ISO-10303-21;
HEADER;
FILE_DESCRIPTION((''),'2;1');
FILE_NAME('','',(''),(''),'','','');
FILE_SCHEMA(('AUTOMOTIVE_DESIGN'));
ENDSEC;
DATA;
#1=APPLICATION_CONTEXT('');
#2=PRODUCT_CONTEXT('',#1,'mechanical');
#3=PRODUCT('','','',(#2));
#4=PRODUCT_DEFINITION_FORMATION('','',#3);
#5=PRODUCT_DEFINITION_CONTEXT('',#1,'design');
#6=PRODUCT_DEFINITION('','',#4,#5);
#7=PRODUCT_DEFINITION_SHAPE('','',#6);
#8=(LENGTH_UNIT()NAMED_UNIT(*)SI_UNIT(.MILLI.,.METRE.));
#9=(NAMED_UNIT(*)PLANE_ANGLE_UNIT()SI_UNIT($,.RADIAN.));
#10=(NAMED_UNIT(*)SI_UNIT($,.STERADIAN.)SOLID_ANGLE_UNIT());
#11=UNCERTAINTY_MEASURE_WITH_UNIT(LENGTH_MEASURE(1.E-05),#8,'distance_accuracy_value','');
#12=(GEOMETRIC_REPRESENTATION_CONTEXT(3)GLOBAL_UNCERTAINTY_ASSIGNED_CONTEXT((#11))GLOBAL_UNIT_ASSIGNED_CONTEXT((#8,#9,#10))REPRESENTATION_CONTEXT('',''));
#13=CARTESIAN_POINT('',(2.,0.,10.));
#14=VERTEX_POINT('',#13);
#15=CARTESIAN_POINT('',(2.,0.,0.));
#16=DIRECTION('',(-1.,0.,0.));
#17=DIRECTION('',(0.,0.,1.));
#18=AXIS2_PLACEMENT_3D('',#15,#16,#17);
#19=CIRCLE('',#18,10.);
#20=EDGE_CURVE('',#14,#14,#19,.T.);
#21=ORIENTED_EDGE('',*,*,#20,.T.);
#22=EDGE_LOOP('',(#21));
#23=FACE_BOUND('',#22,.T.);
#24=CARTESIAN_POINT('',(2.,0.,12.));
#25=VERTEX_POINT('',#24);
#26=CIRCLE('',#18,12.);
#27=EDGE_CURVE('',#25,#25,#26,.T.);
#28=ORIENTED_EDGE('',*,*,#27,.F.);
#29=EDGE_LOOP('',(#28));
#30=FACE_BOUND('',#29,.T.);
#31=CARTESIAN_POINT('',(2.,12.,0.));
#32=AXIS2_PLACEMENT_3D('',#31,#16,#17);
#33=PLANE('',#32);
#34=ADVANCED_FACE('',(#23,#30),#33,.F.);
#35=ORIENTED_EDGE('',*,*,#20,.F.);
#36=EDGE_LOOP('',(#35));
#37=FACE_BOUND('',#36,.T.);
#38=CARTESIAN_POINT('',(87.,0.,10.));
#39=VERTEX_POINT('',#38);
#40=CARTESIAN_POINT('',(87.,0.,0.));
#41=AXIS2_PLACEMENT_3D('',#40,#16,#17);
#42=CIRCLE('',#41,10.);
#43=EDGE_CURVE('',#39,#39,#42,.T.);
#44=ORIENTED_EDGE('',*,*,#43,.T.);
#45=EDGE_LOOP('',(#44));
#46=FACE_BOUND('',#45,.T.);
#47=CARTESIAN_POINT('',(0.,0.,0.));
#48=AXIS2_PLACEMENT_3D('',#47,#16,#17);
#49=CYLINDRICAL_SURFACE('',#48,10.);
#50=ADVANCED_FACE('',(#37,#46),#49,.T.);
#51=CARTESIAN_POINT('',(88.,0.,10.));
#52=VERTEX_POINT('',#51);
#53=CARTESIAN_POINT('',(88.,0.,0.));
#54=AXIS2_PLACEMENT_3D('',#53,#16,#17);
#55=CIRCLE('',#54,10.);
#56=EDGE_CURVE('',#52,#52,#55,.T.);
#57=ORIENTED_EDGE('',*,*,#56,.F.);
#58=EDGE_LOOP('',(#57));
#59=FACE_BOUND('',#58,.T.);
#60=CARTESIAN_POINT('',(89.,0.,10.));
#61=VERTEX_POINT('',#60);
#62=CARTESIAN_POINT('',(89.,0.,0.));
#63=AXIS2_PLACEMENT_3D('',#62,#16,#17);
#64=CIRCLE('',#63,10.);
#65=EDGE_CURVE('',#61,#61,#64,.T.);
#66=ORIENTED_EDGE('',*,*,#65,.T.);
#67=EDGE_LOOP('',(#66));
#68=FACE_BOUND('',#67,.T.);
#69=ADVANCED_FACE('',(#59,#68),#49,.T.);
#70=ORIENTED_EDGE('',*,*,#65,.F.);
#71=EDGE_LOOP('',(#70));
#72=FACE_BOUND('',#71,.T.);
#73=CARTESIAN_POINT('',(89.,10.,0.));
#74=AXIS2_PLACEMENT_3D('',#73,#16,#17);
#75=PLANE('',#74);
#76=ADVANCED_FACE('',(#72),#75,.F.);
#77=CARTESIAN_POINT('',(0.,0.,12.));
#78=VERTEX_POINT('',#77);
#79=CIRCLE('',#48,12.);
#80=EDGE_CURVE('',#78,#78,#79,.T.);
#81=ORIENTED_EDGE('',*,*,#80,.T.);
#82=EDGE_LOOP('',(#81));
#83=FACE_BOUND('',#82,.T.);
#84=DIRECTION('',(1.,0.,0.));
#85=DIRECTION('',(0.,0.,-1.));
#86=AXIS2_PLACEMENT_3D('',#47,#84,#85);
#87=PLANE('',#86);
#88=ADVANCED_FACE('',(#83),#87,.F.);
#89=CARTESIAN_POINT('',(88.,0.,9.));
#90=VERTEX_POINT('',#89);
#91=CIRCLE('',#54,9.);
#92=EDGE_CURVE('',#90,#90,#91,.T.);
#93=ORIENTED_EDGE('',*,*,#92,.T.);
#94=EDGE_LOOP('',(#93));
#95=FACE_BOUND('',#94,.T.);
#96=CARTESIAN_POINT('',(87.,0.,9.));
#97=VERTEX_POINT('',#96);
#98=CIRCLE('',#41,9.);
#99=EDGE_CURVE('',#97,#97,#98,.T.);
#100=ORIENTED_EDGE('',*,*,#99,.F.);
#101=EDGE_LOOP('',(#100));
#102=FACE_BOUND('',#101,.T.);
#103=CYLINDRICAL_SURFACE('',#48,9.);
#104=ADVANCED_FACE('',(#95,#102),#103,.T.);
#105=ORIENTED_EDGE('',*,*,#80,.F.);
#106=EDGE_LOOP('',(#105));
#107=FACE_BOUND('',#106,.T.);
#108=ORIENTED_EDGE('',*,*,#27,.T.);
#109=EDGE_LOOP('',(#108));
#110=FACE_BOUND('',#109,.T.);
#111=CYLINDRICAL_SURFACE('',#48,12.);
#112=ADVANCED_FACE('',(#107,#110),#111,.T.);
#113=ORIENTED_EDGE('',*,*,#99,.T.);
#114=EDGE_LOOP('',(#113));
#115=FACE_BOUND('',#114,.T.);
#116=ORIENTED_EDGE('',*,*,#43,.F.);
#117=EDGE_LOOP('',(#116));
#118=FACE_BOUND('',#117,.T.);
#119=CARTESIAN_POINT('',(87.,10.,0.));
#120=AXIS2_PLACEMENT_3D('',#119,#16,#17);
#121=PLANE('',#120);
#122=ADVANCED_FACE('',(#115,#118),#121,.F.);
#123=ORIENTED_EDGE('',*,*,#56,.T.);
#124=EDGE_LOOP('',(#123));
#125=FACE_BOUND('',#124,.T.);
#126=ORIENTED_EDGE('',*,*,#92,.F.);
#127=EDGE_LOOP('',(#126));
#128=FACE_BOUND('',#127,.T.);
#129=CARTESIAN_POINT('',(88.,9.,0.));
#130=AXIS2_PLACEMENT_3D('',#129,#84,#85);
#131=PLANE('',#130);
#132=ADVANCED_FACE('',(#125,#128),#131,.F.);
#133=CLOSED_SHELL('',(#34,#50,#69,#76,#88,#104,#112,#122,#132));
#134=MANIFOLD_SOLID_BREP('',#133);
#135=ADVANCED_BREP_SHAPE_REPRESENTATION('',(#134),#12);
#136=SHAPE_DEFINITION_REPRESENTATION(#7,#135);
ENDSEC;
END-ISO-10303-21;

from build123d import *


with BuildPart() as part:
    # Sketch1 → Revolve1 (revolve)
    with BuildSketch(Plane.XY, mode=Mode.PRIVATE) as revolve1_sk:
        Polygon((0, 0), (0, 12), (2, 12), (2, 10), (87, 10), (87, 9), (88, 9), (88, 10), (89, 10), (89, 0), align=None)
    revolve(revolve1_sk.sketch.rotate(Axis((0, 0, 0), (1, 0, 0)), 90), axis=Axis((0, 0, 0), (1, 0, 0)))


solid = part.part
